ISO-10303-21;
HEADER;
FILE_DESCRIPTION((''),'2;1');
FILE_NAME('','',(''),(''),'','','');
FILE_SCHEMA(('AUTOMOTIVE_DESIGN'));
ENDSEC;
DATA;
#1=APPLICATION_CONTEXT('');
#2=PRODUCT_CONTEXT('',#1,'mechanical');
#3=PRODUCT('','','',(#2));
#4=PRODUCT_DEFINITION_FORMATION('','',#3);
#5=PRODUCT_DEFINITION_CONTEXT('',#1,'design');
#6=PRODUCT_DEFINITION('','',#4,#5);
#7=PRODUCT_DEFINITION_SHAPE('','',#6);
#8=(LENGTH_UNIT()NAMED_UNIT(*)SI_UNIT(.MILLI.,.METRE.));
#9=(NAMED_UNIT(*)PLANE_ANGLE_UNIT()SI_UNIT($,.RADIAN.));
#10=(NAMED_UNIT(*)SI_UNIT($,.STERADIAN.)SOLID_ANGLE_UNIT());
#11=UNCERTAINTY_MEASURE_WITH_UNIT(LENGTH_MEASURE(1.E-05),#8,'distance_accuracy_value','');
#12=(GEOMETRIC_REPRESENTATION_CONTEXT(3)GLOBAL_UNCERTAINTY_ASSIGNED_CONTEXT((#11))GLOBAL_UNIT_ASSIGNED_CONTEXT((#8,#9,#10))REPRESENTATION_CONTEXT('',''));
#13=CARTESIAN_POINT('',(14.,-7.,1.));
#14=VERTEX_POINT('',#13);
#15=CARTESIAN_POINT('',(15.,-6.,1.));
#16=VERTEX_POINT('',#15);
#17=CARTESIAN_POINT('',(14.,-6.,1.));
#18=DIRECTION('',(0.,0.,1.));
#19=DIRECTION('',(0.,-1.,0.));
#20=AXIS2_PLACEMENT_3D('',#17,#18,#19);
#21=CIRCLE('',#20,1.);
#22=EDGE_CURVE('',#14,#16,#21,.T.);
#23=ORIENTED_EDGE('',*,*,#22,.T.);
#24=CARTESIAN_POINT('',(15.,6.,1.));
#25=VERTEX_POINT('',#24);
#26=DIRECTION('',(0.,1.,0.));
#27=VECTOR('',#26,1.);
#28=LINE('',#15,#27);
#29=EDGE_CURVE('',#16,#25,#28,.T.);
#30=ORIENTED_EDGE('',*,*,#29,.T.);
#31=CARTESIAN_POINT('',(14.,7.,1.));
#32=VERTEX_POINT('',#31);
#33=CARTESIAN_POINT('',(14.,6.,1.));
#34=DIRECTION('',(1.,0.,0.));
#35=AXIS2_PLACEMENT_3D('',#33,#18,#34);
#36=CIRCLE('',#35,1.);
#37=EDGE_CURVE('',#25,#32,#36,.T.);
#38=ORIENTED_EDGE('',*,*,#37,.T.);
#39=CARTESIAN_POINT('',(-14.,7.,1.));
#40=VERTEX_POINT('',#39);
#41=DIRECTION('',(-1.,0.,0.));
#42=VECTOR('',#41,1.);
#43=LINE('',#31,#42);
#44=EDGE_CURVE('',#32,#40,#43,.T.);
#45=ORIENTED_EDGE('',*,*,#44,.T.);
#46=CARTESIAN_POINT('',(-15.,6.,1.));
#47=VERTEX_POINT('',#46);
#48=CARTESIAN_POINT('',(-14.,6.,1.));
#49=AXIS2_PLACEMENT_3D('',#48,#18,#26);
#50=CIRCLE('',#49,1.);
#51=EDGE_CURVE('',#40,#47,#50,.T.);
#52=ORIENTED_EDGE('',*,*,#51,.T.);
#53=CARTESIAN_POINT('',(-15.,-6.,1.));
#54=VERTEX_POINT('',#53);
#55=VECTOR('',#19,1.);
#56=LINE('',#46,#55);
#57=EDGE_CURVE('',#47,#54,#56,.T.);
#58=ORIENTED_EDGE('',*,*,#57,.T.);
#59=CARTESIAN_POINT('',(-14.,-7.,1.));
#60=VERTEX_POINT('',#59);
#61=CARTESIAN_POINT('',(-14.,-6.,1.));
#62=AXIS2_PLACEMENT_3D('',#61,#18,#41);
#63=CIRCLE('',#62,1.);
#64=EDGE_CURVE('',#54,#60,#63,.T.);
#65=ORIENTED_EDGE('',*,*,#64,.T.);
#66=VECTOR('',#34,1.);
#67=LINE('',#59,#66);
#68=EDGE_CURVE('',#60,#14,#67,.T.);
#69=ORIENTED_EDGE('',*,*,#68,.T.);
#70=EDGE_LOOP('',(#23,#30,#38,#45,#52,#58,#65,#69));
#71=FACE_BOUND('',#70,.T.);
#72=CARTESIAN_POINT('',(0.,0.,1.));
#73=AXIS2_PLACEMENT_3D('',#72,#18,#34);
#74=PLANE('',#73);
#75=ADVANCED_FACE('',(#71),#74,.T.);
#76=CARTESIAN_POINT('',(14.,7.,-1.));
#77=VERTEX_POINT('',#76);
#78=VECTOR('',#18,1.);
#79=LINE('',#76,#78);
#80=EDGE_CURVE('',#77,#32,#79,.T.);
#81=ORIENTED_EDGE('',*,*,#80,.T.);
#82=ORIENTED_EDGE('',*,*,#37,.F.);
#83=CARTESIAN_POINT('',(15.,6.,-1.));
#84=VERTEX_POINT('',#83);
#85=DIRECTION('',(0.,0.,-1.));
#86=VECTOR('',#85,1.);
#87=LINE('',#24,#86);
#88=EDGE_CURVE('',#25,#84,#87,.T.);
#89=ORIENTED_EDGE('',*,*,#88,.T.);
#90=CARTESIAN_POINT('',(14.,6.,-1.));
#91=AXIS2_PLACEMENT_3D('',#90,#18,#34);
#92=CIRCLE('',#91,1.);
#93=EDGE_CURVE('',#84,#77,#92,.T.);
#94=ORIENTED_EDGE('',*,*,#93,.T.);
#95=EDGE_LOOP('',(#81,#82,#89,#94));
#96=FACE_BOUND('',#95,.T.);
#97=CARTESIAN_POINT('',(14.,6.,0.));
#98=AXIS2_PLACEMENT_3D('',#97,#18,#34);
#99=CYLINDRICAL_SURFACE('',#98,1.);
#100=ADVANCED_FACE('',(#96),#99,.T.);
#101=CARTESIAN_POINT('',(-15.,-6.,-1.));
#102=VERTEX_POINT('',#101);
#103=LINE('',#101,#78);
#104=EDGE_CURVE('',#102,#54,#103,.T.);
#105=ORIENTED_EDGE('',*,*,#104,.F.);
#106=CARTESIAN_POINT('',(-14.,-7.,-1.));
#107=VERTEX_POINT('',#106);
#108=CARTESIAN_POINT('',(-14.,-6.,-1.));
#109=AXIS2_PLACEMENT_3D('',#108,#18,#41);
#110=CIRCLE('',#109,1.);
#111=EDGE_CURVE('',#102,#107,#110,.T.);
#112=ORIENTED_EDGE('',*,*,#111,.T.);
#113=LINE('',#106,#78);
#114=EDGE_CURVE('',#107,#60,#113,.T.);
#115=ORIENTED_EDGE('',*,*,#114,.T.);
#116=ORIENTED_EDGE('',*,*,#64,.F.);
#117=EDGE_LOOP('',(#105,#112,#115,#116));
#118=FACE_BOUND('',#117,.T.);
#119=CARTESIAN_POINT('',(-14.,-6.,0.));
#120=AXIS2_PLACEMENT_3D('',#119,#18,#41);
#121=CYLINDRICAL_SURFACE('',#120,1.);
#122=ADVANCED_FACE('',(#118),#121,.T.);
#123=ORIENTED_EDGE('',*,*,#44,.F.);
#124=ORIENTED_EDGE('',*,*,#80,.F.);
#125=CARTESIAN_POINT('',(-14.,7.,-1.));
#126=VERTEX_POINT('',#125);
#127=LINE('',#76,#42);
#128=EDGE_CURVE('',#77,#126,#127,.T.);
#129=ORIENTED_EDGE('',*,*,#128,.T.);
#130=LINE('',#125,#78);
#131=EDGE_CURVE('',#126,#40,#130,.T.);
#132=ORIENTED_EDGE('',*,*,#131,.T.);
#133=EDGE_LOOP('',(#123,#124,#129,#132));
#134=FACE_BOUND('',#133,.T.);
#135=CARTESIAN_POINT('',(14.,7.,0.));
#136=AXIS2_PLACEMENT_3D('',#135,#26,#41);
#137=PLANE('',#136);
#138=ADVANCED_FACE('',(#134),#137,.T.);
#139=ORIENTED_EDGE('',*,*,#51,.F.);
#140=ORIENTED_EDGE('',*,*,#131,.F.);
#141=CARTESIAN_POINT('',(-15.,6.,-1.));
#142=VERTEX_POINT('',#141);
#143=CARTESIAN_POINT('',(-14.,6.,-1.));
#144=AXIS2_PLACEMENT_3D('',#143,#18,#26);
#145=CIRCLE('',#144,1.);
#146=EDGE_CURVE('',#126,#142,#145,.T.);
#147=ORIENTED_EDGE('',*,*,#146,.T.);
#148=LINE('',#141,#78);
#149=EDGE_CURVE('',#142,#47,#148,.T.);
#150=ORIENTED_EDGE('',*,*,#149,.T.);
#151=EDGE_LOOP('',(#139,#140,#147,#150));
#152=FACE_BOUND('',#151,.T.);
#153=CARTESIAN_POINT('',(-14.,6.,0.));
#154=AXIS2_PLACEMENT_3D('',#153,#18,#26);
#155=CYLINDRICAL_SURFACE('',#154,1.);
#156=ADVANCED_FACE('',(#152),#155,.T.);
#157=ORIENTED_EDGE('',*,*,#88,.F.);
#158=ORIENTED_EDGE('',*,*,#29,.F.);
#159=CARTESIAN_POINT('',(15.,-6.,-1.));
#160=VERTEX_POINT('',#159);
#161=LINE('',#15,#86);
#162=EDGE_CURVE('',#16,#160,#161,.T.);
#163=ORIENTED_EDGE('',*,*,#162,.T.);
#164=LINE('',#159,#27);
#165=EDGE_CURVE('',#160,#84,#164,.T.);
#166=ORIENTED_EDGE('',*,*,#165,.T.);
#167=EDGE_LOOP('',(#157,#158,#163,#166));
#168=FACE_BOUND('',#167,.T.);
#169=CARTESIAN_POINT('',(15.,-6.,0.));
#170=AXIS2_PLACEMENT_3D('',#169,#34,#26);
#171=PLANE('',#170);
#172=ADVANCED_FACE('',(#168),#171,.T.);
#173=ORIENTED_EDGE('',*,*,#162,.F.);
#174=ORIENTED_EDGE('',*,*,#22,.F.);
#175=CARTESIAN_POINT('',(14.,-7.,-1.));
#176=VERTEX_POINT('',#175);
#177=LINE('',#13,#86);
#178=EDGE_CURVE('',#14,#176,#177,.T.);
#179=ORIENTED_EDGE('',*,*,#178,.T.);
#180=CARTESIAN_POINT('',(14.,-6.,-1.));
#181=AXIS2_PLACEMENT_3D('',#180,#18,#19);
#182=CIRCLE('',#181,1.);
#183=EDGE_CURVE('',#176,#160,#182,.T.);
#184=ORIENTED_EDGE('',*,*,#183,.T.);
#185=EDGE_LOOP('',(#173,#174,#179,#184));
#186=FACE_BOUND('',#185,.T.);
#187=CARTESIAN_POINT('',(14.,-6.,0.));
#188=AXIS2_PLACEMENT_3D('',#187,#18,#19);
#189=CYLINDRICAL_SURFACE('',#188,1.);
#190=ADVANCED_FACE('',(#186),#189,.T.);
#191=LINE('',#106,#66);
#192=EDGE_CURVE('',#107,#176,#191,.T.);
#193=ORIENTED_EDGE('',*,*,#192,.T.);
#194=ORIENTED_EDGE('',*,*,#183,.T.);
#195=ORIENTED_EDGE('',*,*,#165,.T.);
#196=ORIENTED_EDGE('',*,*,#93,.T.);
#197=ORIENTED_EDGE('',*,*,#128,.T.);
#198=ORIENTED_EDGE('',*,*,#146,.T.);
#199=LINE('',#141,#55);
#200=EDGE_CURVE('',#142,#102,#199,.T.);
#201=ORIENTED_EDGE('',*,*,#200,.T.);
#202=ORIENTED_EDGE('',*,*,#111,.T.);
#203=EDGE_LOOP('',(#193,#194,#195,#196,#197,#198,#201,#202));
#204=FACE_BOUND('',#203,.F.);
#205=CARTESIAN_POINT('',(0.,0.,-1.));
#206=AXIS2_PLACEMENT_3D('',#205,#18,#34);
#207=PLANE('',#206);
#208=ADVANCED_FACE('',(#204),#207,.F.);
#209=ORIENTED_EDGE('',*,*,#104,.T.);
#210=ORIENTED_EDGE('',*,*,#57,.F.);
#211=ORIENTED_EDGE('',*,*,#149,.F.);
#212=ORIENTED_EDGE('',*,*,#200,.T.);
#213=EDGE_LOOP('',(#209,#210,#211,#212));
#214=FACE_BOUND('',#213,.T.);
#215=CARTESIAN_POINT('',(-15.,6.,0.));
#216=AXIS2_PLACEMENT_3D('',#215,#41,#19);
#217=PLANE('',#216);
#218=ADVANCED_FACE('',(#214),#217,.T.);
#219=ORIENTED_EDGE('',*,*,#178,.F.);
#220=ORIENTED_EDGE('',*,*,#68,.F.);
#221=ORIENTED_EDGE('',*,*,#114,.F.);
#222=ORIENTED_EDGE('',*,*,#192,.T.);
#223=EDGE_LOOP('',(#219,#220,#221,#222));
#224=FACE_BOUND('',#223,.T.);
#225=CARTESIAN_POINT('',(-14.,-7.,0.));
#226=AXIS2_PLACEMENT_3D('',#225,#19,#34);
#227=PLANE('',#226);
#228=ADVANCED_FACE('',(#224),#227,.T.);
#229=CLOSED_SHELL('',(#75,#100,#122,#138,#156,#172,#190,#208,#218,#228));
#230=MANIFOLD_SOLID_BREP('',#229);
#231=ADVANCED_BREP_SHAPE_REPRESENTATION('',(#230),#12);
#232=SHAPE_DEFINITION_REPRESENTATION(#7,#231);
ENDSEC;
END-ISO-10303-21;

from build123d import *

# Parameters (mm, degrees)
F1_DEPTH = 1


with BuildPart() as f1:
    # F0 (on Top) → F1 (new body, symmetric)
    with BuildSketch(Plane.XY):
        with BuildLine():
            ThreePointArc((15, 6), (14.7071067812, 6.7071067812), (14, 7))
            Line((14, 7), (-14, 7))
            ThreePointArc((-14, 7), (-14.7071067812, 6.7071067812), (-15, 6))
            Line((-15, 6), (-15, -6))
            ThreePointArc((-15, -6), (-14.7071067812, -6.7071067812), (-14, -7))
            Line((-14, -7), (14, -7))
            ThreePointArc((14, -7), (14.7071067812, -6.7071067812), (15, -6))
            Line((15, -6), (15, 6))
        make_face()
    extrude(amount=F1_DEPTH, both=True)


solid = f1.part
